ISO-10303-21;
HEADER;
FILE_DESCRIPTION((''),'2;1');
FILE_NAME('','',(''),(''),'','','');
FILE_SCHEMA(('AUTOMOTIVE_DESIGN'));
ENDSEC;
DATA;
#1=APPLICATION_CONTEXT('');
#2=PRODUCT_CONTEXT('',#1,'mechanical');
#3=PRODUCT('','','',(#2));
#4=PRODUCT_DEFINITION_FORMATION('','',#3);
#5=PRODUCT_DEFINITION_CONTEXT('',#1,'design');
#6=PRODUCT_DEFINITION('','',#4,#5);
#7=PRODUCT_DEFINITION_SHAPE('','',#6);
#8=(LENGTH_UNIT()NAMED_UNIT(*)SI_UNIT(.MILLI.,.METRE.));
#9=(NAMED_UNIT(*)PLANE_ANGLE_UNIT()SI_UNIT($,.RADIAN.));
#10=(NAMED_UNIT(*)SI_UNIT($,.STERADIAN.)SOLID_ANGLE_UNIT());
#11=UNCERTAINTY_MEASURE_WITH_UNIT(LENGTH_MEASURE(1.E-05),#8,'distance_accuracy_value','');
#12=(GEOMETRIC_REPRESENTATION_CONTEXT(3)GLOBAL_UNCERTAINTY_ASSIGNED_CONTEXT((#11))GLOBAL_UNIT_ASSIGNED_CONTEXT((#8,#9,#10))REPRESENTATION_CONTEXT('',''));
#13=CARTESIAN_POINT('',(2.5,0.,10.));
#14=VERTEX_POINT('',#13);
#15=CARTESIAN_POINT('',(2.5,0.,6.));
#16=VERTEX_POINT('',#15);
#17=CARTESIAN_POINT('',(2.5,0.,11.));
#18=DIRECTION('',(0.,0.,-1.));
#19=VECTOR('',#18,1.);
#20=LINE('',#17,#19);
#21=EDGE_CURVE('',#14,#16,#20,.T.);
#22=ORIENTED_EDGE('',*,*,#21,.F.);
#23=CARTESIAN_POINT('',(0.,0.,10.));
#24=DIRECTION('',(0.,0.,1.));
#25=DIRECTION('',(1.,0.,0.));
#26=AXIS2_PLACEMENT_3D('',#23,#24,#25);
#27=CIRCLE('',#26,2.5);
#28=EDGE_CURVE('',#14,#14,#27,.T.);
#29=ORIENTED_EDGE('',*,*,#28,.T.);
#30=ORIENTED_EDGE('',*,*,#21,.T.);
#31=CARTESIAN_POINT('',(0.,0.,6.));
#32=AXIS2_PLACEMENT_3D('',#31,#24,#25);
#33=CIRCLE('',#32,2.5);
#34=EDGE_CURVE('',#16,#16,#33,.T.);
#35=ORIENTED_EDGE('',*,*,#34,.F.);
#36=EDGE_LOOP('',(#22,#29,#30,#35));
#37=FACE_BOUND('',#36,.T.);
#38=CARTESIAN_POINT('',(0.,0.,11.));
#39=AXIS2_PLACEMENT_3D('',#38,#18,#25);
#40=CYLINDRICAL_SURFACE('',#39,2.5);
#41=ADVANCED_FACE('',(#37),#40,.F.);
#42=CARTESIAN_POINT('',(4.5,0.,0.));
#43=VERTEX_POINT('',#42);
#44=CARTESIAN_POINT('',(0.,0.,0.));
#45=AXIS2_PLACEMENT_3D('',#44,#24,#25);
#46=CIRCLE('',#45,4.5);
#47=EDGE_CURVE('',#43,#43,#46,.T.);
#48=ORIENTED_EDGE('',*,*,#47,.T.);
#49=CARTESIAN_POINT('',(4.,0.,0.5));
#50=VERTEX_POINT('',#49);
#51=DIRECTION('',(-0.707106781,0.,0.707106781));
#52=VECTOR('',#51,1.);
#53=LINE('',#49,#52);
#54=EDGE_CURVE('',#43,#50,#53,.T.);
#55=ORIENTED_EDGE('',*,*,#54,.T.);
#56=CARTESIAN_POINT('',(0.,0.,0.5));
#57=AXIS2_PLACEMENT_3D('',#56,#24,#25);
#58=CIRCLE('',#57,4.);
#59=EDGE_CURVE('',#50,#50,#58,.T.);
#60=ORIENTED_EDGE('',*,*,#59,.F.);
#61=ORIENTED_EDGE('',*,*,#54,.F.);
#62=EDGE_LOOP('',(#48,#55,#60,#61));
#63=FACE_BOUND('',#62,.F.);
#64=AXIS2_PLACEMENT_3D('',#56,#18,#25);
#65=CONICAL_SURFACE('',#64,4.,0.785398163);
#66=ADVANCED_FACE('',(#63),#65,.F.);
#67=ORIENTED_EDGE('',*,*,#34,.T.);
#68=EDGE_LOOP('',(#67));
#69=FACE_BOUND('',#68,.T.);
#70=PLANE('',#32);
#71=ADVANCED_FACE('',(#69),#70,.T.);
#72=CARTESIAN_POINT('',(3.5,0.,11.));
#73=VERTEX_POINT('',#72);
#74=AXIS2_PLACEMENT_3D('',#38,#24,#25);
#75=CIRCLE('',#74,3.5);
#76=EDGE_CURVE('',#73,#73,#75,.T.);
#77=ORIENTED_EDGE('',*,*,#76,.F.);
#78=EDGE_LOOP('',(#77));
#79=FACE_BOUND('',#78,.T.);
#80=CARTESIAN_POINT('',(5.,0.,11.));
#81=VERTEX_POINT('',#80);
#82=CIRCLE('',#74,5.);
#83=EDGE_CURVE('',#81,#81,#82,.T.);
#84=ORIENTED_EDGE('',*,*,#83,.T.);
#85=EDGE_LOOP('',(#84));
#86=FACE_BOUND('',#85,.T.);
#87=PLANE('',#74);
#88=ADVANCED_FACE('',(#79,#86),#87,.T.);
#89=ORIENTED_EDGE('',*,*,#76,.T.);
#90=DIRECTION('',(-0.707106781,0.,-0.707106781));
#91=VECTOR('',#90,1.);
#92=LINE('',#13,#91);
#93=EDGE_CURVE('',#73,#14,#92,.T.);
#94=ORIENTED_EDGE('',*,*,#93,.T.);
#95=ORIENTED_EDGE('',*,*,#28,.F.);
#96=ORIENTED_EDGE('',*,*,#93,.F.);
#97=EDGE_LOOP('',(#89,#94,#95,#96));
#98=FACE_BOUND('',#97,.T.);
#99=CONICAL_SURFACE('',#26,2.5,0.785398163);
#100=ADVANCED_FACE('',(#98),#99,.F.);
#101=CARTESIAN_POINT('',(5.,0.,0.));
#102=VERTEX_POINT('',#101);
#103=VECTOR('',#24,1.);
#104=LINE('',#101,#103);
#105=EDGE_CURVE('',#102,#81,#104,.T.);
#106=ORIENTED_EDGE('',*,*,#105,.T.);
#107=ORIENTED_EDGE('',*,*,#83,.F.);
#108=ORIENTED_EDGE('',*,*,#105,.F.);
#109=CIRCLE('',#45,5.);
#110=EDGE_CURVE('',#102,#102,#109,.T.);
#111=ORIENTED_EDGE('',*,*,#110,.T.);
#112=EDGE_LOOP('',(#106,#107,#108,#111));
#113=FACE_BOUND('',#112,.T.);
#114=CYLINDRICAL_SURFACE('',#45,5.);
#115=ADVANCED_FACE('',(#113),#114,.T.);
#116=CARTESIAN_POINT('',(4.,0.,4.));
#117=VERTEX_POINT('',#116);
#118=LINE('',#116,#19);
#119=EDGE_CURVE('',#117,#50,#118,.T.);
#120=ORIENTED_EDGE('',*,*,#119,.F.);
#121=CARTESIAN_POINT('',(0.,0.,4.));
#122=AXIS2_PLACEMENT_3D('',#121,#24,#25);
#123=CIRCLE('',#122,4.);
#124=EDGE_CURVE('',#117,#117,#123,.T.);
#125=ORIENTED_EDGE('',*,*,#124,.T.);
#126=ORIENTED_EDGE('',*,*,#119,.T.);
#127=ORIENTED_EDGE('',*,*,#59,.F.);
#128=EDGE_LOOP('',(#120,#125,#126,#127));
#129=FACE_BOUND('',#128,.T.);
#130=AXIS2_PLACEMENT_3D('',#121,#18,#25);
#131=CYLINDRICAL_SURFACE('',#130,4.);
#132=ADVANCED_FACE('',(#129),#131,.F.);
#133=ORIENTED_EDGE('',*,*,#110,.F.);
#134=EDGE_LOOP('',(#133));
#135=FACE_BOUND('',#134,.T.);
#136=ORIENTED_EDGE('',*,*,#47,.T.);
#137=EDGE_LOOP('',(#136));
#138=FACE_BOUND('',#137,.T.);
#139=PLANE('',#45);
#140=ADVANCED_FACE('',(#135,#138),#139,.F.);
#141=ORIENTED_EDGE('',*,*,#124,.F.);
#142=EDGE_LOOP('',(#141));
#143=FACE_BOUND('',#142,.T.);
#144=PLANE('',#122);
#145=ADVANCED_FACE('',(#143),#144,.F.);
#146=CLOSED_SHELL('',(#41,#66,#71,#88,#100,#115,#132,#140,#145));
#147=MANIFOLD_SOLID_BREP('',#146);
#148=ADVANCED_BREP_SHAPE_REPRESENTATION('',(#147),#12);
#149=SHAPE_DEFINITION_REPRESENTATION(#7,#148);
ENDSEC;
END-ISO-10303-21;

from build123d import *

# Parameters (mm, degrees)
F2_SIZE = 1
F3_SIZE = 0.5


with BuildPart() as f1:
    # F0 (on Front) → F1 (revolve)
    with BuildSketch(Plane.XZ):
        Polygon((4, 4), (4, 0), (5, 0), (5, 11), (2.5, 11), (2.5, 6), (0, 6), (0, 4), align=None)
    revolve(axis=Axis((0, 0, 2), (0, 0, 1)))

    # F2
    f2_edges = [f1.edges().sort_by_distance(p)[0] for p in [
        (-2.5, 0, 11),
    ]]
    chamfer(f2_edges, length=F2_SIZE)

    # F3
    f3_edges = [f1.edges().sort_by_distance(p)[0] for p in [
        (-4, 0, 0),
    ]]
    chamfer(f3_edges, length=F3_SIZE)


solid = f1.part
